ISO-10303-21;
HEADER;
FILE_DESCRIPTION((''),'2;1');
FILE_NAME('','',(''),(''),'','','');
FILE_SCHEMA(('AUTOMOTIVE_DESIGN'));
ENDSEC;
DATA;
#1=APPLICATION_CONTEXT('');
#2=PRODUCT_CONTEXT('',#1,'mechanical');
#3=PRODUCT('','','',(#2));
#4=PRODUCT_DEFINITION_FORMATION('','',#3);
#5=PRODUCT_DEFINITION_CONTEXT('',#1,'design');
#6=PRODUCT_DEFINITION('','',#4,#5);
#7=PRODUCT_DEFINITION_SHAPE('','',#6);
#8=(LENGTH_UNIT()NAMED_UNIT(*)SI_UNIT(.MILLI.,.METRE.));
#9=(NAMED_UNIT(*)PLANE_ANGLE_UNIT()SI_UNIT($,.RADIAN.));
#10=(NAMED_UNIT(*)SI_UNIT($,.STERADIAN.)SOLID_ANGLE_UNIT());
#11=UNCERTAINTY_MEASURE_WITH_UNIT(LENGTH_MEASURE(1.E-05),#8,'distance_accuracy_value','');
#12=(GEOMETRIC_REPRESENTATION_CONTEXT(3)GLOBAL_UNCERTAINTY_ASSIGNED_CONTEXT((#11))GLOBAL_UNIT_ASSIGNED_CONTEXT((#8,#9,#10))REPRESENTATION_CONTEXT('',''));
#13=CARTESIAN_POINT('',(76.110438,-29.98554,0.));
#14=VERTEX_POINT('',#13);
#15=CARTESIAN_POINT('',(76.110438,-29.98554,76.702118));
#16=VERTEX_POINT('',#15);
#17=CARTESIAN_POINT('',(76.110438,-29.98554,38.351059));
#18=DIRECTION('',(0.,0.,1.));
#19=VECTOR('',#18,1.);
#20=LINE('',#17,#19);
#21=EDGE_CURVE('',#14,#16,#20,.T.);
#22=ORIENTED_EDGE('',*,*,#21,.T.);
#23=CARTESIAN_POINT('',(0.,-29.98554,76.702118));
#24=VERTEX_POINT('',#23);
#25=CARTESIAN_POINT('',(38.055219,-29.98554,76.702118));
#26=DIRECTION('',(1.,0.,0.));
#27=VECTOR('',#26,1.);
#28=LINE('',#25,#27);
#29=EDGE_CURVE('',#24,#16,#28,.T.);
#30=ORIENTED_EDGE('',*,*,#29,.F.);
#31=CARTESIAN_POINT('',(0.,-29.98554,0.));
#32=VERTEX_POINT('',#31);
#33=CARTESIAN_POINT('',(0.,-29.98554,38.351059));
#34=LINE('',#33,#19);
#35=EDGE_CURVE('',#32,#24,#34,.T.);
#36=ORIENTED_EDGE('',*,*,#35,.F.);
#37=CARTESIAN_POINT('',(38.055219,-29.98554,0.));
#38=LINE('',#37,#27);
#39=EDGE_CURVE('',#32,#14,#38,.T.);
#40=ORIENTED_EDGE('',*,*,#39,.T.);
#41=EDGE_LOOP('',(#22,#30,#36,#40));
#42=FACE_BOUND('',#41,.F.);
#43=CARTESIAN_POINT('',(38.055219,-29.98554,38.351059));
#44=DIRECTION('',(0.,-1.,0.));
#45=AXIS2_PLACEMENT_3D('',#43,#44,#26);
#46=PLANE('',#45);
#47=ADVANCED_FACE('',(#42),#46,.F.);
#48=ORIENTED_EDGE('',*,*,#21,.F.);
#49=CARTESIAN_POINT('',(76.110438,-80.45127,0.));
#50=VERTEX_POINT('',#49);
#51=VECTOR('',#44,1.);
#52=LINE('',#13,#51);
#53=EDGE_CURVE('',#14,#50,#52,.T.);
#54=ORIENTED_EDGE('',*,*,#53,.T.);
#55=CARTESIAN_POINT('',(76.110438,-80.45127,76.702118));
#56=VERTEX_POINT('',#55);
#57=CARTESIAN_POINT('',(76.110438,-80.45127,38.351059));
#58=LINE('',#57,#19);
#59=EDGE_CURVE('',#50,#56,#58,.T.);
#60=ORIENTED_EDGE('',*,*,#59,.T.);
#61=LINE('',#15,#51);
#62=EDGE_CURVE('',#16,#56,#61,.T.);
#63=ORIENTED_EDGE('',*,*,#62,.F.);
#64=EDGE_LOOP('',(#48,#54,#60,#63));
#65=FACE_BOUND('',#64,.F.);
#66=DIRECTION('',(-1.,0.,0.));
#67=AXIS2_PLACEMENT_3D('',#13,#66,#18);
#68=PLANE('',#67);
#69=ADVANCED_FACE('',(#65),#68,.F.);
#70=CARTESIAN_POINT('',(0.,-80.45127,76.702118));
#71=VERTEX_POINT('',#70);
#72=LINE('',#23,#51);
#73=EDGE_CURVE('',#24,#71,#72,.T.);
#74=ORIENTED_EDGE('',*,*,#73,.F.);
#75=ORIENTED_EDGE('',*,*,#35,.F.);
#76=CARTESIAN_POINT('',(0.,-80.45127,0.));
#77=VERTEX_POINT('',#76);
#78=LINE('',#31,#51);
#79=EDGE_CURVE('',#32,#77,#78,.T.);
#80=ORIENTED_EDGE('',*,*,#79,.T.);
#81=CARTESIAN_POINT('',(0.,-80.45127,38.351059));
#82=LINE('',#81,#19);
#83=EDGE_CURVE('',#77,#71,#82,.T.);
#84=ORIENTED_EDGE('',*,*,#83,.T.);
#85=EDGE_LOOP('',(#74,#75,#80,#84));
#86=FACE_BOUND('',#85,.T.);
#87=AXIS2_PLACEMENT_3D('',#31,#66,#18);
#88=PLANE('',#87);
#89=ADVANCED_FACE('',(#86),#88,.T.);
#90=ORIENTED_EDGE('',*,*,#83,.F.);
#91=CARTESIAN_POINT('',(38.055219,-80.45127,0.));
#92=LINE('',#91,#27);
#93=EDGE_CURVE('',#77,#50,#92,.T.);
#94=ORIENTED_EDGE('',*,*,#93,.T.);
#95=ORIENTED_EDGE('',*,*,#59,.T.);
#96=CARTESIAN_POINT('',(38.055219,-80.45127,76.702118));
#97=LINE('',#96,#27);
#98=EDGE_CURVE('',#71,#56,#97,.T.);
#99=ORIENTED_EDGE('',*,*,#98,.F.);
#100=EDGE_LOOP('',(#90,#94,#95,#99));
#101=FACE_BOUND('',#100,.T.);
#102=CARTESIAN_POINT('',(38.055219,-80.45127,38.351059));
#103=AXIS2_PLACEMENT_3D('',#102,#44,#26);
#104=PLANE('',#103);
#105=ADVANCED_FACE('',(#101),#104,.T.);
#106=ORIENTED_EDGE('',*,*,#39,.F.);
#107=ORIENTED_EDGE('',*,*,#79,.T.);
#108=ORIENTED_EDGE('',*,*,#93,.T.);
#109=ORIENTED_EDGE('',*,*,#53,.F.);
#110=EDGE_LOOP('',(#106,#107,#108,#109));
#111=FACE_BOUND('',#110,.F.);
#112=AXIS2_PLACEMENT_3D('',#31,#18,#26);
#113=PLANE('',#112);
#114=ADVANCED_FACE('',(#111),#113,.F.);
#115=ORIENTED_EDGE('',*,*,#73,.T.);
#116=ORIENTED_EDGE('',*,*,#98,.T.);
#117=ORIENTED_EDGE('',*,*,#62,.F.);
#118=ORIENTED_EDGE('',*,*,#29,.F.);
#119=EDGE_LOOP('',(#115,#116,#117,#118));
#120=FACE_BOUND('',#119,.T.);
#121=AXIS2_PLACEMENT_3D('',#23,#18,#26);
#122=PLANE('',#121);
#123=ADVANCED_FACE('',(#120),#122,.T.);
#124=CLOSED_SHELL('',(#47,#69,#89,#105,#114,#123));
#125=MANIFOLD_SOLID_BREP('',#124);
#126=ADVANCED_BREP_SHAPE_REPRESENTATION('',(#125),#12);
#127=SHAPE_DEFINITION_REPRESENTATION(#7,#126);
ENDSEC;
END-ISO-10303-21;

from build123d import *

# Parameters (mm, degrees)
F1_START = 29.98554
F0_W     = 76.1104375124
F0_H     = 76.7021179199
F1_DEPTH = 50.46573


with BuildPart() as f1:
    # F0 (on Front) → F1 (new body)
    with BuildSketch(Plane.XZ.offset(F1_START)):
        with Locations((38.0552187562, 38.35105896)):
            Rectangle(F0_W, F0_H)
    extrude(amount=F1_DEPTH)


solid = f1.part
